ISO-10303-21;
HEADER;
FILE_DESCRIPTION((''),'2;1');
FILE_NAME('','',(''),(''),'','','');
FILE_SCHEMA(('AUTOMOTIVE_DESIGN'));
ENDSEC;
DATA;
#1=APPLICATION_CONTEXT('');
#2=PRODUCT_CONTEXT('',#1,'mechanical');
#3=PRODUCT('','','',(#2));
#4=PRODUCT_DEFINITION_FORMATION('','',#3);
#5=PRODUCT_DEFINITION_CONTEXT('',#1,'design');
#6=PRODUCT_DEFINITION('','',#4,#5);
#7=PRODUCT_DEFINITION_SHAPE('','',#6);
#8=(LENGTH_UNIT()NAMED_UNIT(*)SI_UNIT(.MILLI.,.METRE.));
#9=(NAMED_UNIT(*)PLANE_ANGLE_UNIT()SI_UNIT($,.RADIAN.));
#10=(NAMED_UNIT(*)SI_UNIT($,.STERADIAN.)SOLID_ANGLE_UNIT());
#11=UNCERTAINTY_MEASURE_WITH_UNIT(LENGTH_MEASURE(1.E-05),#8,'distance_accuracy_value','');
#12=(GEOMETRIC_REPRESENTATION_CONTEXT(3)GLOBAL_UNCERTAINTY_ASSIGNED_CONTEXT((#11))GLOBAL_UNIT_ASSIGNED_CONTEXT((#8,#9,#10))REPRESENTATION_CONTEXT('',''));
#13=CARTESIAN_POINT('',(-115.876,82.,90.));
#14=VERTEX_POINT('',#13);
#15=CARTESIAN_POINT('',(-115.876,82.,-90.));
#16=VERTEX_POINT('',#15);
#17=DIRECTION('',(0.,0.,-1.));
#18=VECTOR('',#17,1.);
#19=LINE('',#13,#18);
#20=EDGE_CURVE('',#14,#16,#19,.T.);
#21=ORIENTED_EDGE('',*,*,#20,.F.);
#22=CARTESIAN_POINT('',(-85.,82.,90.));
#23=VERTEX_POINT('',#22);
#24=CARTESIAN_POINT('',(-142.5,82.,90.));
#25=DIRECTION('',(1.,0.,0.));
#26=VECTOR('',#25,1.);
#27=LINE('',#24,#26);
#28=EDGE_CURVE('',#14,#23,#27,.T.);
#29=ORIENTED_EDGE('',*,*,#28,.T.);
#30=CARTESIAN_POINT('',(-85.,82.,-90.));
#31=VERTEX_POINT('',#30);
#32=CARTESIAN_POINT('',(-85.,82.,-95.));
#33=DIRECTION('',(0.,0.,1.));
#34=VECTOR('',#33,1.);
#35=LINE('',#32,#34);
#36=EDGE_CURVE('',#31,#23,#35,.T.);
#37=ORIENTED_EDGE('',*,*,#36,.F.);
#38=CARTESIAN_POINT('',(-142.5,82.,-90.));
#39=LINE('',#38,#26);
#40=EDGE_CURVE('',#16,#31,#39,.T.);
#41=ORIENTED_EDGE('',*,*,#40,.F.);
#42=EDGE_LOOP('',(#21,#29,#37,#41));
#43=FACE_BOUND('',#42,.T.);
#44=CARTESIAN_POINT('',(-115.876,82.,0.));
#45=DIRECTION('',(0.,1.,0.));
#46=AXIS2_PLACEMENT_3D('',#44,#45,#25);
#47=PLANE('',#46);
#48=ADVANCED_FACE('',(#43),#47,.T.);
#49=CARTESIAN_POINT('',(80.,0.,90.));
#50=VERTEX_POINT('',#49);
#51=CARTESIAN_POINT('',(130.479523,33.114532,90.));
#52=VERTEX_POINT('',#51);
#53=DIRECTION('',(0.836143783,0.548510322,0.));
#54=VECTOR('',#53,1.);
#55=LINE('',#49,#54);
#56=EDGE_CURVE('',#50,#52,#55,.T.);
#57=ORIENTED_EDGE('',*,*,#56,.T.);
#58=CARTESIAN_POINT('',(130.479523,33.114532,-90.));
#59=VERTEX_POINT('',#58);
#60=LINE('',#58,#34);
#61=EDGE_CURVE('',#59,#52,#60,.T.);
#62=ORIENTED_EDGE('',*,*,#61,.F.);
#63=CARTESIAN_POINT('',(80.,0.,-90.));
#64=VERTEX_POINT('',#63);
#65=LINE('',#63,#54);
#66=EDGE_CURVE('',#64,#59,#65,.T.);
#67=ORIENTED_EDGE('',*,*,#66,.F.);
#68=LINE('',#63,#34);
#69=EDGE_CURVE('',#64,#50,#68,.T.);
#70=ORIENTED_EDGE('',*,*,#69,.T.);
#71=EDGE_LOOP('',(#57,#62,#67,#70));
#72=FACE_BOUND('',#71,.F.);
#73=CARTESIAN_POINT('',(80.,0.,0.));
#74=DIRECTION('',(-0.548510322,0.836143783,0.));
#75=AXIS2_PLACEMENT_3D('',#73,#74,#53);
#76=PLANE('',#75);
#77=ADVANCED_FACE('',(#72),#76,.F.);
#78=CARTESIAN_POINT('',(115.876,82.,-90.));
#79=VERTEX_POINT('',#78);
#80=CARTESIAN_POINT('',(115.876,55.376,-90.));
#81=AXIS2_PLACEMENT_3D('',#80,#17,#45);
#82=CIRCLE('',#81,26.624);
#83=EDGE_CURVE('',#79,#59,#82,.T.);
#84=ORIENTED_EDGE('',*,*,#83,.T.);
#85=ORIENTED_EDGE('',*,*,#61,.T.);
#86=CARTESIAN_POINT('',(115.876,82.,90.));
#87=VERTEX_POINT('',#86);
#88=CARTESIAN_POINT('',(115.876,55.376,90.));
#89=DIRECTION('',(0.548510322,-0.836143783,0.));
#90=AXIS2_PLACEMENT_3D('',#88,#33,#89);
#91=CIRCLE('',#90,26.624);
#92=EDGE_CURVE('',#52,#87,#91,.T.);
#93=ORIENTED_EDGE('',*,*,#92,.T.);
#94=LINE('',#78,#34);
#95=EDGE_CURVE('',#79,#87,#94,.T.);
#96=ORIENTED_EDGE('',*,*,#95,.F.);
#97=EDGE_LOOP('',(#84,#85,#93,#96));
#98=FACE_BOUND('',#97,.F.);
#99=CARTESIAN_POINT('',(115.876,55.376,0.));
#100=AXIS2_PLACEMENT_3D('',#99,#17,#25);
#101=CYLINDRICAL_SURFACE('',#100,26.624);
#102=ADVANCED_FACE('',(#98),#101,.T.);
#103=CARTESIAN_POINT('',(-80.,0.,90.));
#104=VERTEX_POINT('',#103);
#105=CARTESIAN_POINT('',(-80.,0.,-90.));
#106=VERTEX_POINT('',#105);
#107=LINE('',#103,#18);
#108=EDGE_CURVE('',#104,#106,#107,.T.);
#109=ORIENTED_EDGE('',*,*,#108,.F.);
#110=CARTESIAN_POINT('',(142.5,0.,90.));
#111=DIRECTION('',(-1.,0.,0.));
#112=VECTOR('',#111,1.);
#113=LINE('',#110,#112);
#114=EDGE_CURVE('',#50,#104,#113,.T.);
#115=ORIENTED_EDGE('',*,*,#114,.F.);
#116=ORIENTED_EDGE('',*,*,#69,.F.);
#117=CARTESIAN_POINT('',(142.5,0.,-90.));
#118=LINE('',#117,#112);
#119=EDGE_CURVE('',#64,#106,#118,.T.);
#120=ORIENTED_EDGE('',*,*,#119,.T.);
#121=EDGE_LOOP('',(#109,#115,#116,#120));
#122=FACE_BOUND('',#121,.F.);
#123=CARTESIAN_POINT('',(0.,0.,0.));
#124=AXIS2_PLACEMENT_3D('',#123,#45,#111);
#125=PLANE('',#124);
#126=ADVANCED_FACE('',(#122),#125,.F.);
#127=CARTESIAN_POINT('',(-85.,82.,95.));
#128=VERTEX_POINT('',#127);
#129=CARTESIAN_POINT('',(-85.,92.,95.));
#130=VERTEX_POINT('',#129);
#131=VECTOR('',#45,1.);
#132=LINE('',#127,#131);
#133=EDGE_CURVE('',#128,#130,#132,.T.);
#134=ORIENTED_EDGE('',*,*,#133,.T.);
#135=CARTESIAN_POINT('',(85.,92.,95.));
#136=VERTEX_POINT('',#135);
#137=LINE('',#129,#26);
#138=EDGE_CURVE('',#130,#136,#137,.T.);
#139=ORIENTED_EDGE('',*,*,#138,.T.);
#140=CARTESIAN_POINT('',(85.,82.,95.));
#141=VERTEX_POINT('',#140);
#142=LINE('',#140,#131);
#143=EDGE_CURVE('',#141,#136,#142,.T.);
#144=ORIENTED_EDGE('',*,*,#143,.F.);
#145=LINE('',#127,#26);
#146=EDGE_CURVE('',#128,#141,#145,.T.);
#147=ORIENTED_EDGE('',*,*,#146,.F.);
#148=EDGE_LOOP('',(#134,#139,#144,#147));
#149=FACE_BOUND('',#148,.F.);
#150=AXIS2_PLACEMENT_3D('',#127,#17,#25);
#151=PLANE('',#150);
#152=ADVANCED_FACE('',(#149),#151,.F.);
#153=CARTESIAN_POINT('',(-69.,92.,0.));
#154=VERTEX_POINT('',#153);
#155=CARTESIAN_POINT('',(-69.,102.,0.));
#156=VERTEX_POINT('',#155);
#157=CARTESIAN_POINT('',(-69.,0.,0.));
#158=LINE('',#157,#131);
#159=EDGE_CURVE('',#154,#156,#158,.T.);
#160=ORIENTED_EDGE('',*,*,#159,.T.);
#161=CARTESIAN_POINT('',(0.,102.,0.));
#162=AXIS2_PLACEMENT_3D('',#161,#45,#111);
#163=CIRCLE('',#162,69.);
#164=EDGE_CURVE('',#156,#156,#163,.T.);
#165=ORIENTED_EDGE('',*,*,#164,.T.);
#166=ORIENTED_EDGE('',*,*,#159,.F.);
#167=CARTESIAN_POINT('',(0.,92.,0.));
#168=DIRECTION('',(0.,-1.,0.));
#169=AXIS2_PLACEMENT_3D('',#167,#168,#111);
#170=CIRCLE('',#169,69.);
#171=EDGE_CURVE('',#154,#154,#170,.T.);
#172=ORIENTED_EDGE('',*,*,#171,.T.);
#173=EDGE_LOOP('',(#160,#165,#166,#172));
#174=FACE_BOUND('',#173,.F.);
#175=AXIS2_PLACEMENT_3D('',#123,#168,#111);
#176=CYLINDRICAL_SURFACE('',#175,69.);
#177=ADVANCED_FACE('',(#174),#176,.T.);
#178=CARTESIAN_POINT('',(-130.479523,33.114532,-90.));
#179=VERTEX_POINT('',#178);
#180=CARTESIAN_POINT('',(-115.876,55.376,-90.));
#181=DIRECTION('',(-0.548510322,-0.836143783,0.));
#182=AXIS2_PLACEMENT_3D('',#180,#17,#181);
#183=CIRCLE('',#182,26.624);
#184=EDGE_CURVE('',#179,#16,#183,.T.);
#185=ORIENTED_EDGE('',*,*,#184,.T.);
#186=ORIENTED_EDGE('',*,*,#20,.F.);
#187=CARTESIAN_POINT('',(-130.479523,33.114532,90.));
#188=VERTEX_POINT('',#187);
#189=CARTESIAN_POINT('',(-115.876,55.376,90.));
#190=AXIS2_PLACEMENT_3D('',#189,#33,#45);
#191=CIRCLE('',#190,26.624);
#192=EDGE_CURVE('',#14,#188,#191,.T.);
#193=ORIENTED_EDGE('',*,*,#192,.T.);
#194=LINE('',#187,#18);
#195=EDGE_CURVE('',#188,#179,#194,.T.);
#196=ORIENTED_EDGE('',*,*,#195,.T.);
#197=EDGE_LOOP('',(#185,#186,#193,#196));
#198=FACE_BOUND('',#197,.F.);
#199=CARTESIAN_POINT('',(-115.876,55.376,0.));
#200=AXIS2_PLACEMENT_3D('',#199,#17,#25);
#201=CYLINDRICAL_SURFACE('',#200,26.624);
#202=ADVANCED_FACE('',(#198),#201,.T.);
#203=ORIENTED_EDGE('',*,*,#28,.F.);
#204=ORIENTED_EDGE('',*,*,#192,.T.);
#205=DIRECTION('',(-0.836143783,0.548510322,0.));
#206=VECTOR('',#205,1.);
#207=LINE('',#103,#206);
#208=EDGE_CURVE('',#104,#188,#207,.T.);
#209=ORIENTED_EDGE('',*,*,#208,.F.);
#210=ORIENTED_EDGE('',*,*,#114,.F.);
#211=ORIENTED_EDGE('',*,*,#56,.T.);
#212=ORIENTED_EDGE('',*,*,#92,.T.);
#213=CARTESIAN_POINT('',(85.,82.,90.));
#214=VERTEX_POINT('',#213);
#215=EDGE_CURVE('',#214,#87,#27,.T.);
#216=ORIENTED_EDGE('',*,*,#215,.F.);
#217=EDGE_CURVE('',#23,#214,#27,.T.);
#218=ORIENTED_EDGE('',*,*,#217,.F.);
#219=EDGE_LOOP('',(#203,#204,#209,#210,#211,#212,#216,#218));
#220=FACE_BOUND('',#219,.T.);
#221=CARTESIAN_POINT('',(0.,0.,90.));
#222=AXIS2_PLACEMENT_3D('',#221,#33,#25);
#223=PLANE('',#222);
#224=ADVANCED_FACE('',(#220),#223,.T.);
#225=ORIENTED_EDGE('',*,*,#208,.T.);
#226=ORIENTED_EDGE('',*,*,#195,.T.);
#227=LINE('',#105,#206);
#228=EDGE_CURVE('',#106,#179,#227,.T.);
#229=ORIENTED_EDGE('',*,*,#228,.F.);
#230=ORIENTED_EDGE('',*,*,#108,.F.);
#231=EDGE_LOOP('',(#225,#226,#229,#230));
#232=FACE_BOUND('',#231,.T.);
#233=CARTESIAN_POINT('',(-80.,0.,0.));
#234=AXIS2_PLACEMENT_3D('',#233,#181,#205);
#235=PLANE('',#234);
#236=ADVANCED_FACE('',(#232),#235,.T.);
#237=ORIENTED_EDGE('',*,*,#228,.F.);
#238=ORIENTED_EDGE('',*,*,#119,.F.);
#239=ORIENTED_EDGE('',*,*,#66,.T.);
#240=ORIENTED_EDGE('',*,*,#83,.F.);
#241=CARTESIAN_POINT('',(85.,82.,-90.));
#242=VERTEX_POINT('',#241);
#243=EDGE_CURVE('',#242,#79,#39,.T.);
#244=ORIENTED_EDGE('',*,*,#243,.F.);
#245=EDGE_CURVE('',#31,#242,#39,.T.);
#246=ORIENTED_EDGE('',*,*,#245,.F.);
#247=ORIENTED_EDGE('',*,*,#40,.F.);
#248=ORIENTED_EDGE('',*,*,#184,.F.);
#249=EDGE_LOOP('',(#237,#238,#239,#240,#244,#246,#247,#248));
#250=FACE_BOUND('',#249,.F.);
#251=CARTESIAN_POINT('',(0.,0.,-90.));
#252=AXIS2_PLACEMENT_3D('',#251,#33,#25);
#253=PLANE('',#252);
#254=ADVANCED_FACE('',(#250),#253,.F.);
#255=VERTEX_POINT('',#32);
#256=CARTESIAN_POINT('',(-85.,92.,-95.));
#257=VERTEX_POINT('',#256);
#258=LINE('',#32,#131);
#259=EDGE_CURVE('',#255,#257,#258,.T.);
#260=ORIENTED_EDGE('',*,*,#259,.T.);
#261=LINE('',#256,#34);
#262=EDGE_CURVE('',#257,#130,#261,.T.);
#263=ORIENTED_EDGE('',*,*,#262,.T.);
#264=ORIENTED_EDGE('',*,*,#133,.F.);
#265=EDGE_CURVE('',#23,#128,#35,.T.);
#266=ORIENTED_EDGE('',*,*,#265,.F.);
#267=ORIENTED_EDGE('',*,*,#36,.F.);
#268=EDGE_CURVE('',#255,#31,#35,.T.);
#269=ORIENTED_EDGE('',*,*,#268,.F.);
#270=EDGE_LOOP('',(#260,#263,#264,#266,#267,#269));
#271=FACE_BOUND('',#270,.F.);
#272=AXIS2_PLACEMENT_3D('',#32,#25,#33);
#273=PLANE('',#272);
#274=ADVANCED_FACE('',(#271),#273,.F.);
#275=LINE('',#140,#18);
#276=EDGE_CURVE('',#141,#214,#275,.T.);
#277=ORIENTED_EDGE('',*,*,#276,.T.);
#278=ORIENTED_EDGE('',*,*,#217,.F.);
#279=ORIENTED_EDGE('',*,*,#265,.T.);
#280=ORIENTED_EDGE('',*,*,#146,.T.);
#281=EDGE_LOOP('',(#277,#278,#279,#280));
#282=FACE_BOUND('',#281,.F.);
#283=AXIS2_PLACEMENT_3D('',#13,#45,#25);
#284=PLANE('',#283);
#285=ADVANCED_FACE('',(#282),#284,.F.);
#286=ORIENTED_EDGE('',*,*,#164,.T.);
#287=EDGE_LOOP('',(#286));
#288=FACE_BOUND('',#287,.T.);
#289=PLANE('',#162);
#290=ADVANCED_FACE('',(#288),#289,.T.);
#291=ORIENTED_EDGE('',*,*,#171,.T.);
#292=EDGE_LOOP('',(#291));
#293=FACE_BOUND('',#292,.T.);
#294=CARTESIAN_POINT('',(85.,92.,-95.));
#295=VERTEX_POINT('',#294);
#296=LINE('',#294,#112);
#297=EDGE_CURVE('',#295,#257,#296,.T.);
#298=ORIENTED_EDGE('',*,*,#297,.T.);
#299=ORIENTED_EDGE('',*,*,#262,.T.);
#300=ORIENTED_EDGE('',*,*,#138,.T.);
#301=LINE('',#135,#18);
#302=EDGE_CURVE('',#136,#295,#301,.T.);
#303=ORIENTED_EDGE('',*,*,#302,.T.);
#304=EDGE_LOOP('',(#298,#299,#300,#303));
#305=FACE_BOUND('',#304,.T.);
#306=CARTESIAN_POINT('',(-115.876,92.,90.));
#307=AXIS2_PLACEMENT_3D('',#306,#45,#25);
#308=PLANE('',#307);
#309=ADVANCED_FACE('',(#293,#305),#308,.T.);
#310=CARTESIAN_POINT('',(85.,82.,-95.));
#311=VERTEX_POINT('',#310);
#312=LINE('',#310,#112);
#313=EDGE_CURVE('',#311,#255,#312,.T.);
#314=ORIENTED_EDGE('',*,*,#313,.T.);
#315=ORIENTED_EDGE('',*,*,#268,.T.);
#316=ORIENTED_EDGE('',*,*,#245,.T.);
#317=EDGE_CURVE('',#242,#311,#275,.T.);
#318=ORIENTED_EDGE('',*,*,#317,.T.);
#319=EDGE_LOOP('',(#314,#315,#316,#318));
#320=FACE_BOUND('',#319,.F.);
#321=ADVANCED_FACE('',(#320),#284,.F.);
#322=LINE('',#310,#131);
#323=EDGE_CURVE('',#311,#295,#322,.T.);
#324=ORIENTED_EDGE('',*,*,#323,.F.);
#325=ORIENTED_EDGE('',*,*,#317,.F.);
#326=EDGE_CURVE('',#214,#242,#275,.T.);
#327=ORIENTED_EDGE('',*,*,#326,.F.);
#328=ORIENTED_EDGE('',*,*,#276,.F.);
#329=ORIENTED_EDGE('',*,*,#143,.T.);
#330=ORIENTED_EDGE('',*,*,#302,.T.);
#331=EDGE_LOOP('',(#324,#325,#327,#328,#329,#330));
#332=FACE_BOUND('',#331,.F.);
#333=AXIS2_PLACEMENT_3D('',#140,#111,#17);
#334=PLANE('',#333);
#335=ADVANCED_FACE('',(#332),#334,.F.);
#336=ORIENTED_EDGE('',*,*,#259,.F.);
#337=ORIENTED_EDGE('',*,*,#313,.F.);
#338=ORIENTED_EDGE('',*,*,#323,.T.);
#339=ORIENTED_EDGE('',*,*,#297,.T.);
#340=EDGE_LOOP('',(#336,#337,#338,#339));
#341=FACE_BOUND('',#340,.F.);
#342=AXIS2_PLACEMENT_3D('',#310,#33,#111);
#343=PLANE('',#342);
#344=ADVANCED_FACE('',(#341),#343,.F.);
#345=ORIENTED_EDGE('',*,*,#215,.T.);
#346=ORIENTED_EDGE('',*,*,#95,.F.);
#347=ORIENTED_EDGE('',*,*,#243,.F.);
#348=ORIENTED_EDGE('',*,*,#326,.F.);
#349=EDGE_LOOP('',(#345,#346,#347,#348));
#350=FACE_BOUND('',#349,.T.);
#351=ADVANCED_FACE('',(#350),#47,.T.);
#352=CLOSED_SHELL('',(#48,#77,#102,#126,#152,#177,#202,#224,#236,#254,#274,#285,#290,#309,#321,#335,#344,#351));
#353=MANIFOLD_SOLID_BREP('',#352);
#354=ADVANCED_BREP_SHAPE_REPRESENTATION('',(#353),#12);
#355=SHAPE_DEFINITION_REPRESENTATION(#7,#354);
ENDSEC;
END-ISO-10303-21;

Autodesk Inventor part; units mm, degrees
ref_plane "YZ Plane" through (0, 0, 0) normal (1, 0, 0) x (0, 1, 0)
ref_plane "XZ Plane" through (0, 0, 0) normal (0, 1, 0) x (-1, 0, 0)
ref_plane "XY Plane" through (0, 0, 0) normal (0, 0, 1) x (1, 0, 0)
sketch "Sketch1" plane through (0, 0, 0) normal (0, 0, 1) x (1, 0, 0)
  line L0 (-142.5, 102) -> (142.5, 102) construction
  line L1 (142.5, 102) -> (142.5, 82) construction
  line L2 (142.5, 0) -> (-142.5, 0)
  line L3 (-142.5, 0) -> (-142.5, 82)
  line L4 (-142.5, 82) -> (142.5, 82)
  line L5 (142.5, 82) -> (142.5, 0)
  line L6 (80, 0) -> (142.5, 41)
  circle A0 centre (115.876, 55.376) radius 26.624
  line L7 (-142.5, 82) -> (-142.5, 102) construction
  line L8 (-80, 0) -> (-142.5, 41)
  circle A1 centre (-115.876, 55.376) radius 26.624
  point P0 (0, 0)
  point P1 (0, 0)
  point P2 (-130.4796, 33.1146)
  point P3 (130.4796, 33.1146)
  point P4 (115.876, 82)
  point P5 (-115.876, 82)
  dimension "d7" = 285
  dimension "d8" = 102
  dimension "d9" = 82
  dimension "d13" = 80
  dimension "d14" = 80
extrude "Extrusion1" add sketch "Sketch1" along normal mid plane 180 contours L2 L8 A1 L4 A0 L6 | A0 | A1
sketch "Sketch2" plane through (-115.876, 82, 90) normal (0, 1, 0) x (1, 0, 0)
  line L0 (30.876, -5) -> (200.876, -5)
  line L1 (200.876, -5) -> (200.876, 185)
  line L2 (200.876, 185) -> (30.876, 185)
  line L3 (30.876, 185) -> (30.876, -5)
  line L4 (30.876, -5) -> (200.876, 185) construction
  point P0 (115.876, 90)
  point P1 (115.876, 90)
  dimension "d17" = 190
  dimension "d18" = 170
extrude "Extrusion2" add sketch "Sketch2" along normal blind 10
sketch "Sketch3" plane through (0, 0, 0) normal (0, 1, 0) x (-1, 0, 0)
  circle A0 centre (0, 0) radius 69
  dimension "d21" = 138
extrude "Extrusion3" add sketch "Sketch3" along normal blind 102
equation "\"d14\" = d13"
properties part number "Roller platform"
